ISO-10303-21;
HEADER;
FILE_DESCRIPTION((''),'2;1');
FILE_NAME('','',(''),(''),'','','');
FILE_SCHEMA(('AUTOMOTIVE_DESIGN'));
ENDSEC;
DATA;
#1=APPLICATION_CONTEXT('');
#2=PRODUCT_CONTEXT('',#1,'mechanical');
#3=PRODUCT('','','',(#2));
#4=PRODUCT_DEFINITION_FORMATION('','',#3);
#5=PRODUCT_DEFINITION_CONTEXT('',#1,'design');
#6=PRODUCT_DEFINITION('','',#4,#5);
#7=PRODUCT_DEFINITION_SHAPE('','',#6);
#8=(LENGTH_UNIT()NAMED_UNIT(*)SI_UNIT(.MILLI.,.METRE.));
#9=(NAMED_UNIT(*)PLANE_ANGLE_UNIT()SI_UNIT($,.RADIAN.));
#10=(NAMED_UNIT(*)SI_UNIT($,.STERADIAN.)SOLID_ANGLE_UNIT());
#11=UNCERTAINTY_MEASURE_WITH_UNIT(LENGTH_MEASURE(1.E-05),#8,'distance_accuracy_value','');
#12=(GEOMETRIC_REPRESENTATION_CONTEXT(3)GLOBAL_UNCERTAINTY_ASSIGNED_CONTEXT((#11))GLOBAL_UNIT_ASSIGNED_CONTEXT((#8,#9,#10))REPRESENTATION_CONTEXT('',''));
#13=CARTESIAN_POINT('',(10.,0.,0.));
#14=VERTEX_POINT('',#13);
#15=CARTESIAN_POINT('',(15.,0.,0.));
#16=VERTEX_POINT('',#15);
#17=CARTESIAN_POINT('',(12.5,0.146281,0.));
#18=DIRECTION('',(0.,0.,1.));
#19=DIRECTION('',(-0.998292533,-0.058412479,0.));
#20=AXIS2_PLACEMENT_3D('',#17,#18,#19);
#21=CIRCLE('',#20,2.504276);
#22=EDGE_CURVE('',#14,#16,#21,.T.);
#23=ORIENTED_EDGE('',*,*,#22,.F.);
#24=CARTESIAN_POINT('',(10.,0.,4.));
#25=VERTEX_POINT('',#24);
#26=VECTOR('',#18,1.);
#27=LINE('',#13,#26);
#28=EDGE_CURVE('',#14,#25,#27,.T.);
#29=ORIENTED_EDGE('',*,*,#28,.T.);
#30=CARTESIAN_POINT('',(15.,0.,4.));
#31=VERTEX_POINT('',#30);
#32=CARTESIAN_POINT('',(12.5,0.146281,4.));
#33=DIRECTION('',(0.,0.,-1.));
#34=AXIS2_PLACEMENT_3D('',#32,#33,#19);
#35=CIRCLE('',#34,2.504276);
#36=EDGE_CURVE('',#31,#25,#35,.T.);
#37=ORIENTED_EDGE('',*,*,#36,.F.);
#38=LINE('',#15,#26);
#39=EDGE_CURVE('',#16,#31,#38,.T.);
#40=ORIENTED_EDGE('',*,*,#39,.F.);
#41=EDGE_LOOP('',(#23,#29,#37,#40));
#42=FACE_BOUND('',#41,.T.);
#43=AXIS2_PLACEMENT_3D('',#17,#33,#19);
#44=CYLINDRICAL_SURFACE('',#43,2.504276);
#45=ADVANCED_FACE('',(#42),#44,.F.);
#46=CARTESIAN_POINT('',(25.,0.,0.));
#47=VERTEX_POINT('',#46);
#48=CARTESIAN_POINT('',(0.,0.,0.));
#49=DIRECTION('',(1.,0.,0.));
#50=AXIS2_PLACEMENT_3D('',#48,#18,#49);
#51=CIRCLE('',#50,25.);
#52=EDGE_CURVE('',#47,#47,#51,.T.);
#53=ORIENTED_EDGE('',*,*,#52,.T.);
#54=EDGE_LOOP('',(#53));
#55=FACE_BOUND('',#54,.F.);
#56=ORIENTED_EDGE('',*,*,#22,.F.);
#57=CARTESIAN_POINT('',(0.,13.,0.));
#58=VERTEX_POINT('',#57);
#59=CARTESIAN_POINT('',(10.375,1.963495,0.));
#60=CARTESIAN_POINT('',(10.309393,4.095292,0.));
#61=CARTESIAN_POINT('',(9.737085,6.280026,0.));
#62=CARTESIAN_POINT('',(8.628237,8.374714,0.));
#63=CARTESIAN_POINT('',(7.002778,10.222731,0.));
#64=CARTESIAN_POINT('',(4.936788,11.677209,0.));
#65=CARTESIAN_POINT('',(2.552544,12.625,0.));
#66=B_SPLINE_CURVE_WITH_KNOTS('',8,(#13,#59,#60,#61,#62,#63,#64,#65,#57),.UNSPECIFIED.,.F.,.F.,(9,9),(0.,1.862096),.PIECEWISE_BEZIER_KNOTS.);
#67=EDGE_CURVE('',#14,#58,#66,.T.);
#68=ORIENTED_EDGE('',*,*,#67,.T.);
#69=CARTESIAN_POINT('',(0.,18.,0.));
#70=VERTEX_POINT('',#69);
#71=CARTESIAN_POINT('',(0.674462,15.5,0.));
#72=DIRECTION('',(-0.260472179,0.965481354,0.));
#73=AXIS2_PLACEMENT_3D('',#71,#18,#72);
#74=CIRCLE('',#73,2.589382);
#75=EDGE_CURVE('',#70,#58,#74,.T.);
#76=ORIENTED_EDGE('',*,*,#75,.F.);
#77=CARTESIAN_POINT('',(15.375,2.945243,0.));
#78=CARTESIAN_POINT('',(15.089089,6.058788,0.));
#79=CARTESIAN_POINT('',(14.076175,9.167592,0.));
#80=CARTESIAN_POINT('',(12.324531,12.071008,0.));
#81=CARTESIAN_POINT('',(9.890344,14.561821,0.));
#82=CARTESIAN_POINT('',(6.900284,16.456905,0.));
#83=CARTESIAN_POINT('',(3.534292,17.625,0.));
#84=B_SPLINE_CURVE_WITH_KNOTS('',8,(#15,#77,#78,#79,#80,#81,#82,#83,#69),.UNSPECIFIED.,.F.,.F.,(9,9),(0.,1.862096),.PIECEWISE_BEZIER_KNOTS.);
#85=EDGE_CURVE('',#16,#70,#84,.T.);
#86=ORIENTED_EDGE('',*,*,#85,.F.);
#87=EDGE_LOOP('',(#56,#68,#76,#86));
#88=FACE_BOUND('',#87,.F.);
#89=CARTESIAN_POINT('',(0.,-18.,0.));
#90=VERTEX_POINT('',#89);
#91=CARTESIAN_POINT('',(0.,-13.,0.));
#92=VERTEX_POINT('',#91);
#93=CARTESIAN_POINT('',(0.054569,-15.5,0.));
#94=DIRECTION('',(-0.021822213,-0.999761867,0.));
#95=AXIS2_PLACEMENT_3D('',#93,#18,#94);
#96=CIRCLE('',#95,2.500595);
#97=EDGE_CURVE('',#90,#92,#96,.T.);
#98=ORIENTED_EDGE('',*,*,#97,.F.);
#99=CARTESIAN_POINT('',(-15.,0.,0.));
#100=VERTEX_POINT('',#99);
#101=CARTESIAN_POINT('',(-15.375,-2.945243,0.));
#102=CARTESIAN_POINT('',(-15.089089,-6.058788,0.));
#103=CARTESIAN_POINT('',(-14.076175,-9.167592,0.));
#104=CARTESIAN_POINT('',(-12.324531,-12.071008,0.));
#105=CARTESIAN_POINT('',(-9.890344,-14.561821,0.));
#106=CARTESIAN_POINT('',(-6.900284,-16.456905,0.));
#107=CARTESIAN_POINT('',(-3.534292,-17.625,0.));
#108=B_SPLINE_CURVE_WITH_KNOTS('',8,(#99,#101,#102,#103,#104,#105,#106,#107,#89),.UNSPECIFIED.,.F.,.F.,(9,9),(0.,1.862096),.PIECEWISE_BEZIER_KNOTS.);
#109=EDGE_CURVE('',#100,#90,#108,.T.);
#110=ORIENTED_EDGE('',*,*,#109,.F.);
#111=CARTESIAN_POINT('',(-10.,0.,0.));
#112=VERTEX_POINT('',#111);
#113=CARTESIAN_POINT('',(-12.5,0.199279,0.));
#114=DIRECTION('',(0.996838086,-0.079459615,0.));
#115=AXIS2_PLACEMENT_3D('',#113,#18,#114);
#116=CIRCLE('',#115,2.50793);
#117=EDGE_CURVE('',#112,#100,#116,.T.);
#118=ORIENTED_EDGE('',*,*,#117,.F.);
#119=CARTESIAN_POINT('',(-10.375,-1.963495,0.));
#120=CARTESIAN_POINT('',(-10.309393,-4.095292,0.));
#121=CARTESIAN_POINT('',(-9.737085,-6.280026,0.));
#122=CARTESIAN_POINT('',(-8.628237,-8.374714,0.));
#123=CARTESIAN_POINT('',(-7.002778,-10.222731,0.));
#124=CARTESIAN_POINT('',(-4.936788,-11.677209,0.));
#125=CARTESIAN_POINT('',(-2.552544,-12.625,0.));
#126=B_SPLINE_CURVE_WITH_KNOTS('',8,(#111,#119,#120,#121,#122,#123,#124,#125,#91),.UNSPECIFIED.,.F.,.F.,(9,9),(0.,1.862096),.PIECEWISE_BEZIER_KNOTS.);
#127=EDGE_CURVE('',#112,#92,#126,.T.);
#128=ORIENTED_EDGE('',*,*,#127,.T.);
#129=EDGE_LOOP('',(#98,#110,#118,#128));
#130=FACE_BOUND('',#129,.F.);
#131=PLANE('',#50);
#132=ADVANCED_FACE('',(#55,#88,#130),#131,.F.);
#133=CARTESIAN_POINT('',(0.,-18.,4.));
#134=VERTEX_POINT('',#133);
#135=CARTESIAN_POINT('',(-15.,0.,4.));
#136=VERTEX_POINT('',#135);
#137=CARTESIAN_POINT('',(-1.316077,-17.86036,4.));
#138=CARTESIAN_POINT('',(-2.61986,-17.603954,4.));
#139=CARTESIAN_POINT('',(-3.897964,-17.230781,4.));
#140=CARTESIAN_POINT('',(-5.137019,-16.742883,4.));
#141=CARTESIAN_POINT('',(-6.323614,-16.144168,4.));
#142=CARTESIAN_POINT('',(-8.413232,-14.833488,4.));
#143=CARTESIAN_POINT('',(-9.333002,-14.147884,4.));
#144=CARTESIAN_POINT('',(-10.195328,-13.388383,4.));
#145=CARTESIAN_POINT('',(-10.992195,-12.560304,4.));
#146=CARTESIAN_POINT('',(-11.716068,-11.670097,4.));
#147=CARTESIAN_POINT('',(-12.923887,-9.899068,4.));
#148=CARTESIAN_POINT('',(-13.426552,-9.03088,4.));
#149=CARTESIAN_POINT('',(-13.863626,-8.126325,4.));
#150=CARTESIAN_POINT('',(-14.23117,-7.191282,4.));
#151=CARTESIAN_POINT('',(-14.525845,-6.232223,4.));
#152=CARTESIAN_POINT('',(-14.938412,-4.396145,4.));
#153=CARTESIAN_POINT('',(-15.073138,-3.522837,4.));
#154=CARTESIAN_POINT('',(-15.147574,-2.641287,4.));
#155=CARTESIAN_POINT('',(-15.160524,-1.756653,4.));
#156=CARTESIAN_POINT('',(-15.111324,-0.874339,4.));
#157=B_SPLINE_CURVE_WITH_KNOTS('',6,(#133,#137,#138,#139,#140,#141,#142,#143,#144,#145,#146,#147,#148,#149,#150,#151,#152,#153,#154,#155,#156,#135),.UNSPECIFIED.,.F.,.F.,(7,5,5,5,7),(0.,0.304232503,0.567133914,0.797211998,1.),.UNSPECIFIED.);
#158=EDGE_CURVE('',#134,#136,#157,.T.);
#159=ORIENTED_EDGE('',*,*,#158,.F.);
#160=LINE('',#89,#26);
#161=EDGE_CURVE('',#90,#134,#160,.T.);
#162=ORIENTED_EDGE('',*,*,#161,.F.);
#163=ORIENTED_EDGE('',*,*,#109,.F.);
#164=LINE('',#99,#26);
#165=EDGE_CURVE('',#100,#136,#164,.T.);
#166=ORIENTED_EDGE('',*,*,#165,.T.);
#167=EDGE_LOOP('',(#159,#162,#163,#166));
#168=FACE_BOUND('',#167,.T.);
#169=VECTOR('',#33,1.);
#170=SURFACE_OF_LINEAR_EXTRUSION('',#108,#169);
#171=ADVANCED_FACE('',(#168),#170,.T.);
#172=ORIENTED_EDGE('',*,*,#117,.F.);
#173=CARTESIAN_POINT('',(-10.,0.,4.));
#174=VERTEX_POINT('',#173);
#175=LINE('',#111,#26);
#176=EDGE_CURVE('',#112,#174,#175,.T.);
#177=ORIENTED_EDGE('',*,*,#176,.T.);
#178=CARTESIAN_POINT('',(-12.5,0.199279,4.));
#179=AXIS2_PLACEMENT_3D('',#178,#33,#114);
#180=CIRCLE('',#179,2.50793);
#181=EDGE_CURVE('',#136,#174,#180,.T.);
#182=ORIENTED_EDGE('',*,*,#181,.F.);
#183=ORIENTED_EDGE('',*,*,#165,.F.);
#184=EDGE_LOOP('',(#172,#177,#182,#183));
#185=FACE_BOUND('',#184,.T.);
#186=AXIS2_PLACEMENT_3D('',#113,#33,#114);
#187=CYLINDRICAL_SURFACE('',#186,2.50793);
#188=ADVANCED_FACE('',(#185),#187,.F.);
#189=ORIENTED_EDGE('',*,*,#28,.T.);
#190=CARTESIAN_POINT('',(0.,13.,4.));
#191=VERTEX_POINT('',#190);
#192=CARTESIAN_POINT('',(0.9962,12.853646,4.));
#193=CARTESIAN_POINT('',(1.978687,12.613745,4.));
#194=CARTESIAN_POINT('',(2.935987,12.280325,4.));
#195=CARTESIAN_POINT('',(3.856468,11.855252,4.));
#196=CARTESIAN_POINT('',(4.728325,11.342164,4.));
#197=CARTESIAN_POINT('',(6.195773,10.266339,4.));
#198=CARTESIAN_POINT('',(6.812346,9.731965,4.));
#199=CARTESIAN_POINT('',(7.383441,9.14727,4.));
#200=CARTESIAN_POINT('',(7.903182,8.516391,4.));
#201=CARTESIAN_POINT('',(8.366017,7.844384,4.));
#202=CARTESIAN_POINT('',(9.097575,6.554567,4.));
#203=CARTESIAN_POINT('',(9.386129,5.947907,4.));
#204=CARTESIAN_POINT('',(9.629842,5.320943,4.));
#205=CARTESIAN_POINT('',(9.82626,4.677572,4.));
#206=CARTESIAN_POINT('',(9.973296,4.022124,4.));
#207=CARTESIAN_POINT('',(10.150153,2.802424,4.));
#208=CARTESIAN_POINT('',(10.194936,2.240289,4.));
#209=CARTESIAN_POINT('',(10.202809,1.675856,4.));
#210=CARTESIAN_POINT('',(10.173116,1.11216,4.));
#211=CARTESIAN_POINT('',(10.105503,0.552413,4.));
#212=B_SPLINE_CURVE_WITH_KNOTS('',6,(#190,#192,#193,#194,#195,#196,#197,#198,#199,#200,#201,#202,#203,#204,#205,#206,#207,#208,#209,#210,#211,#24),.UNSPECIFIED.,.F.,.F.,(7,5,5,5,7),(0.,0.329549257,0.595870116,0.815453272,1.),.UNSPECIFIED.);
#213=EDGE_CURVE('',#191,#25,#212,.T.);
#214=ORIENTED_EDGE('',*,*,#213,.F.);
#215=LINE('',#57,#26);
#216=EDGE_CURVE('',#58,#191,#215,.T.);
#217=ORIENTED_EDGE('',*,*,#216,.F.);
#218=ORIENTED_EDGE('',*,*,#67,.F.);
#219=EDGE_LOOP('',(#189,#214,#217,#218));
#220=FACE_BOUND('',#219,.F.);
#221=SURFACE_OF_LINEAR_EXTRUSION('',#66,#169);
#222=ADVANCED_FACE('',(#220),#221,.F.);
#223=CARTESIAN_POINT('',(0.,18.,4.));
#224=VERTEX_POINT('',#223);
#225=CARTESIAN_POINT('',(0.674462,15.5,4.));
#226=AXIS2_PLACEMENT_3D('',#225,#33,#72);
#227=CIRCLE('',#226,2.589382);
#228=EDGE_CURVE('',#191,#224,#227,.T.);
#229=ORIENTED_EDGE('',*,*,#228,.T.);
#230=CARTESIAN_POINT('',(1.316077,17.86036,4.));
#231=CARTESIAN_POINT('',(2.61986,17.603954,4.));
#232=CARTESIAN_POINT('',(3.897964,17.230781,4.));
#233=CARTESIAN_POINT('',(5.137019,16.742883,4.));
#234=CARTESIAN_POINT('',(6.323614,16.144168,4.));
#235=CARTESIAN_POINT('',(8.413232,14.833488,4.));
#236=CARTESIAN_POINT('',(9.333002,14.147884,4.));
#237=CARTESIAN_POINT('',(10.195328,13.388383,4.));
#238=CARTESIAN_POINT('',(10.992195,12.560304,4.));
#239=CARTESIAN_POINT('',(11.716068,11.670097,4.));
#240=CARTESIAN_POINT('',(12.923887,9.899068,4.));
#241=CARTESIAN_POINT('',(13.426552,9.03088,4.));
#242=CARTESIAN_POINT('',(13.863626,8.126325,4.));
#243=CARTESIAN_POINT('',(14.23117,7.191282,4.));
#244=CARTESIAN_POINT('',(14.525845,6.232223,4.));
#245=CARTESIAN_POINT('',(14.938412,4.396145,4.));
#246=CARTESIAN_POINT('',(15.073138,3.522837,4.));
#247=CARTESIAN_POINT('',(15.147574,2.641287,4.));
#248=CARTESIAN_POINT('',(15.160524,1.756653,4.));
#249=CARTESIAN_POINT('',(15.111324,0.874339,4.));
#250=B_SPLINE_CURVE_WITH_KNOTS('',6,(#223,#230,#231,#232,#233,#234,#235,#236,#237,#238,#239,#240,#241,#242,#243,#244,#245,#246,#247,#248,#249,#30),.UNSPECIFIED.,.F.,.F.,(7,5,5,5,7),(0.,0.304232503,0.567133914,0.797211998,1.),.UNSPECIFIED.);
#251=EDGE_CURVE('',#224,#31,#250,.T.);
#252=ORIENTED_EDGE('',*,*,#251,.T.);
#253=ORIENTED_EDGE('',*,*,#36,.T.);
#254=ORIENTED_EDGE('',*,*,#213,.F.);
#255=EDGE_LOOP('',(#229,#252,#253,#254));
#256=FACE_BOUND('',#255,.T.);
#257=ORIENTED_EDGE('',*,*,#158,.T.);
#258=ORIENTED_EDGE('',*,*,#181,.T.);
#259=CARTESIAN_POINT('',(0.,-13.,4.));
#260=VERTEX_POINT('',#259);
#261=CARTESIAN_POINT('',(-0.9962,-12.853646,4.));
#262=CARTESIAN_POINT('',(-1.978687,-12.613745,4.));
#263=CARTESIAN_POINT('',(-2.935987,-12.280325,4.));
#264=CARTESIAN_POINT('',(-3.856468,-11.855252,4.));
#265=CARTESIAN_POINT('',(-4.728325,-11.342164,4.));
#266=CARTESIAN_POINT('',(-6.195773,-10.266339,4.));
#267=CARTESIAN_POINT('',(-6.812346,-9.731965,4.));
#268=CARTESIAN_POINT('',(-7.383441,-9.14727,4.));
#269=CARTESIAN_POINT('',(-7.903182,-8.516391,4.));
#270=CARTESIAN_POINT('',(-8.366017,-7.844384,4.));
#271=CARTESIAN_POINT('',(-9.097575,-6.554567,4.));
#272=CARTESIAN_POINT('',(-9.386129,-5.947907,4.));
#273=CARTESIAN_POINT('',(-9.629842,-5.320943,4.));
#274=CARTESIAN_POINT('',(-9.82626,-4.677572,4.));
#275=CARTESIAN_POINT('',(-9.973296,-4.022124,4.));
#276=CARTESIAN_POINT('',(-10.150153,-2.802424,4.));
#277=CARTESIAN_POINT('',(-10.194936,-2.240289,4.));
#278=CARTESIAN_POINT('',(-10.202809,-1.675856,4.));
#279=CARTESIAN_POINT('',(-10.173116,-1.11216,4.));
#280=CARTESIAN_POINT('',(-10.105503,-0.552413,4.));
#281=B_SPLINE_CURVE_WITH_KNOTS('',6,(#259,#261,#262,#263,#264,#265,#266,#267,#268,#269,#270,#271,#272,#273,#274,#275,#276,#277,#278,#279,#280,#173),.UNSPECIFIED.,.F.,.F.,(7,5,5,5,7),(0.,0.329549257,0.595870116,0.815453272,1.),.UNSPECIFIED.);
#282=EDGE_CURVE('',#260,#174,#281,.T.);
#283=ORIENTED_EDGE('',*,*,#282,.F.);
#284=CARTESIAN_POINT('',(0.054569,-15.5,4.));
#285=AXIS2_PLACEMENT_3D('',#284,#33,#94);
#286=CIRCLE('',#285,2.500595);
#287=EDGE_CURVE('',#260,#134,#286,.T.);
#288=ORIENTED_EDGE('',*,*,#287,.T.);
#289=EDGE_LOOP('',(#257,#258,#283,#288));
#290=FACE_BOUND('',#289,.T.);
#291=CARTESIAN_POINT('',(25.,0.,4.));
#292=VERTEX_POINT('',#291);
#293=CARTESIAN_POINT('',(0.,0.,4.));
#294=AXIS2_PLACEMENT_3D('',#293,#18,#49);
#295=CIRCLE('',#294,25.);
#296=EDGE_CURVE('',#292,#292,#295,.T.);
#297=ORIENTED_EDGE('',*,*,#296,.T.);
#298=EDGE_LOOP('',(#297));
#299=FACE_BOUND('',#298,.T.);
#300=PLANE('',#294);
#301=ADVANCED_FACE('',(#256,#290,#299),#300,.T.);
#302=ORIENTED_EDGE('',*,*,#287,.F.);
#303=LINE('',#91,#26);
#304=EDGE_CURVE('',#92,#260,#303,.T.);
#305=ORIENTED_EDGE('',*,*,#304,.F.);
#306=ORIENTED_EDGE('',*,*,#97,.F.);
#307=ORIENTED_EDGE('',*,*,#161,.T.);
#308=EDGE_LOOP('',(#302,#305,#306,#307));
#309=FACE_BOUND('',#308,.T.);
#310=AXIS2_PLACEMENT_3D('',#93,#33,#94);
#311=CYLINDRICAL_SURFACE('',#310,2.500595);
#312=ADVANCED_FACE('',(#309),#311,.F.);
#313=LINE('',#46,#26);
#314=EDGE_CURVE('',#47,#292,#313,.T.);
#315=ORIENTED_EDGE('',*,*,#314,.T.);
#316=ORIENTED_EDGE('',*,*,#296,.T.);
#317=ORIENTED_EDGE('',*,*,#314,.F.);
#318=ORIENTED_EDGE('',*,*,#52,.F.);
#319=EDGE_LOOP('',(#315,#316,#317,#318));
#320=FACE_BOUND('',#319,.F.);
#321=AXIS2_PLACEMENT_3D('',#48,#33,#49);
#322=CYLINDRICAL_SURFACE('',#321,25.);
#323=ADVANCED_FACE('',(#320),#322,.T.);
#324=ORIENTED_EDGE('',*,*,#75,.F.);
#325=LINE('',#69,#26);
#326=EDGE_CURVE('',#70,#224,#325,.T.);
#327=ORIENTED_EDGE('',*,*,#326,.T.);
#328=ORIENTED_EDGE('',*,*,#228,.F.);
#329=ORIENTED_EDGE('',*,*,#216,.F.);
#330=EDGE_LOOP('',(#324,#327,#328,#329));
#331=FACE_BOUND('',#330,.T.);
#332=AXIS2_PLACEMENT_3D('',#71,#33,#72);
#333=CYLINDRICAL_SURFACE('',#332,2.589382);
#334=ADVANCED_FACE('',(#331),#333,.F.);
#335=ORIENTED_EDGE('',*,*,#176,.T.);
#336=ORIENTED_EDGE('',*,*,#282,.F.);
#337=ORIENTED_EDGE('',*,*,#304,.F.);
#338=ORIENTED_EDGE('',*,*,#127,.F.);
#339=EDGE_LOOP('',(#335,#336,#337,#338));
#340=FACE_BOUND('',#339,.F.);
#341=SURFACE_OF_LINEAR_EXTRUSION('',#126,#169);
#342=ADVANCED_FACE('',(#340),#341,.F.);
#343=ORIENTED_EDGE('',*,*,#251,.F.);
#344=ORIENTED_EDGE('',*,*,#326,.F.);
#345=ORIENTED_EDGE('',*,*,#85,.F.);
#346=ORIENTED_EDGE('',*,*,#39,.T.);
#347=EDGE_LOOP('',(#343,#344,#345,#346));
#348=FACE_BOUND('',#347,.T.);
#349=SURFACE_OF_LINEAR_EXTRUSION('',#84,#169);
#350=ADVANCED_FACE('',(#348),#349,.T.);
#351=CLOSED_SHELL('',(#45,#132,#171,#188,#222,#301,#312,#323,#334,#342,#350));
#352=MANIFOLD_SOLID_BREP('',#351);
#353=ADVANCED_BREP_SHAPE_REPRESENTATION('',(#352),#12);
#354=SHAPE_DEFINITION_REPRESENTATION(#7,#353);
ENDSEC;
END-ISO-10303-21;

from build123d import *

# Parameters (mm, degrees)
SKETCH_R        = 25
PAD_DEPTH       = 4
POCKET_DEPTH    = 5
POCKET001_DEPTH = 5


with BuildPart() as part:
    # Sketch → Pad (new body)
    with BuildSketch(Plane.XY):
        Circle(SKETCH_R)
    extrude(amount=PAD_DEPTH)

    # Sketch003 → Pocket (cut)
    with BuildSketch(Plane(origin=(0, 0, 0), x_dir=(-1, 0, 0), z_dir=(0, 0, 1))):
        with BuildLine():
            ThreePointArc((-10, 0), (-12.5, 2.357995), (-15, 0))
            add(Edge.make_bspline(
                [(-15, 0), (-15.375, -2.945243), (-15.089089, -6.058788), (-14.076175, -9.167592), (-12.324531, -12.071008), (-9.890344, -14.561821), (-6.900284, -16.456905), (-3.534292, -17.625), (0, -18)],
                knots=[0, 0, 0, 0, 0, 0, 0, 0, 0, 1.862096, 1.862096, 1.862096, 1.862096, 1.862096, 1.862096, 1.862096, 1.862096, 1.862096], degree=8))
            ThreePointArc((0, -18), (1.91492, -15.5), (0, -13))
            add(Edge.make_bspline(
                [(-10, 0), (-10.375, -1.963495), (-10.309393, -4.095292), (-9.737085, -6.280026), (-8.628237, -8.374714), (-7.002778, -10.222731), (-4.936788, -11.677209), (-2.552544, -12.625), (0, -13)],
                knots=[0, 0, 0, 0, 0, 0, 0, 0, 0, 1.862096, 1.862096, 1.862096, 1.862096, 1.862096, 1.862096, 1.862096, 1.862096, 1.862096], degree=8))
        make_face()
    extrude(amount=POCKET_DEPTH, mode=Mode.SUBTRACT)

    # Sketch005 → Pocket001 (cut)
    with BuildSketch(Plane(origin=(0, 0, 0), x_dir=(-1, 0, 0), z_dir=(0, 0, 1))):
        with BuildLine():
            ThreePointArc((10, 0), (12.5, -2.707209), (15, 0))
            add(Edge.make_bspline(
                [(15, 0), (15.375, 2.945243), (15.089089, 6.058788), (14.076175, 9.167592), (12.324531, 12.071008), (9.890344, 14.561821), (6.900284, 16.456905), (3.534292, 17.625), (0, 18)],
                knots=[0, 0, 0, 0, 0, 0, 0, 0, 0, 1.862096, 1.862096, 1.862096, 1.862096, 1.862096, 1.862096, 1.862096, 1.862096, 1.862096], degree=8))
            ThreePointArc((0, 18), (-2.555164, 15.5), (0, 13))
            add(Edge.make_bspline(
                [(10, 0), (10.375, 1.963495), (10.309393, 4.095292), (9.737085, 6.280026), (8.628237, 8.374714), (7.002778, 10.222731), (4.936788, 11.677209), (2.552544, 12.625), (0, 13)],
                knots=[0, 0, 0, 0, 0, 0, 0, 0, 0, 1.862096, 1.862096, 1.862096, 1.862096, 1.862096, 1.862096, 1.862096, 1.862096, 1.862096], degree=8))
        make_face()
    extrude(amount=POCKET001_DEPTH, mode=Mode.SUBTRACT)


solid = part.part
